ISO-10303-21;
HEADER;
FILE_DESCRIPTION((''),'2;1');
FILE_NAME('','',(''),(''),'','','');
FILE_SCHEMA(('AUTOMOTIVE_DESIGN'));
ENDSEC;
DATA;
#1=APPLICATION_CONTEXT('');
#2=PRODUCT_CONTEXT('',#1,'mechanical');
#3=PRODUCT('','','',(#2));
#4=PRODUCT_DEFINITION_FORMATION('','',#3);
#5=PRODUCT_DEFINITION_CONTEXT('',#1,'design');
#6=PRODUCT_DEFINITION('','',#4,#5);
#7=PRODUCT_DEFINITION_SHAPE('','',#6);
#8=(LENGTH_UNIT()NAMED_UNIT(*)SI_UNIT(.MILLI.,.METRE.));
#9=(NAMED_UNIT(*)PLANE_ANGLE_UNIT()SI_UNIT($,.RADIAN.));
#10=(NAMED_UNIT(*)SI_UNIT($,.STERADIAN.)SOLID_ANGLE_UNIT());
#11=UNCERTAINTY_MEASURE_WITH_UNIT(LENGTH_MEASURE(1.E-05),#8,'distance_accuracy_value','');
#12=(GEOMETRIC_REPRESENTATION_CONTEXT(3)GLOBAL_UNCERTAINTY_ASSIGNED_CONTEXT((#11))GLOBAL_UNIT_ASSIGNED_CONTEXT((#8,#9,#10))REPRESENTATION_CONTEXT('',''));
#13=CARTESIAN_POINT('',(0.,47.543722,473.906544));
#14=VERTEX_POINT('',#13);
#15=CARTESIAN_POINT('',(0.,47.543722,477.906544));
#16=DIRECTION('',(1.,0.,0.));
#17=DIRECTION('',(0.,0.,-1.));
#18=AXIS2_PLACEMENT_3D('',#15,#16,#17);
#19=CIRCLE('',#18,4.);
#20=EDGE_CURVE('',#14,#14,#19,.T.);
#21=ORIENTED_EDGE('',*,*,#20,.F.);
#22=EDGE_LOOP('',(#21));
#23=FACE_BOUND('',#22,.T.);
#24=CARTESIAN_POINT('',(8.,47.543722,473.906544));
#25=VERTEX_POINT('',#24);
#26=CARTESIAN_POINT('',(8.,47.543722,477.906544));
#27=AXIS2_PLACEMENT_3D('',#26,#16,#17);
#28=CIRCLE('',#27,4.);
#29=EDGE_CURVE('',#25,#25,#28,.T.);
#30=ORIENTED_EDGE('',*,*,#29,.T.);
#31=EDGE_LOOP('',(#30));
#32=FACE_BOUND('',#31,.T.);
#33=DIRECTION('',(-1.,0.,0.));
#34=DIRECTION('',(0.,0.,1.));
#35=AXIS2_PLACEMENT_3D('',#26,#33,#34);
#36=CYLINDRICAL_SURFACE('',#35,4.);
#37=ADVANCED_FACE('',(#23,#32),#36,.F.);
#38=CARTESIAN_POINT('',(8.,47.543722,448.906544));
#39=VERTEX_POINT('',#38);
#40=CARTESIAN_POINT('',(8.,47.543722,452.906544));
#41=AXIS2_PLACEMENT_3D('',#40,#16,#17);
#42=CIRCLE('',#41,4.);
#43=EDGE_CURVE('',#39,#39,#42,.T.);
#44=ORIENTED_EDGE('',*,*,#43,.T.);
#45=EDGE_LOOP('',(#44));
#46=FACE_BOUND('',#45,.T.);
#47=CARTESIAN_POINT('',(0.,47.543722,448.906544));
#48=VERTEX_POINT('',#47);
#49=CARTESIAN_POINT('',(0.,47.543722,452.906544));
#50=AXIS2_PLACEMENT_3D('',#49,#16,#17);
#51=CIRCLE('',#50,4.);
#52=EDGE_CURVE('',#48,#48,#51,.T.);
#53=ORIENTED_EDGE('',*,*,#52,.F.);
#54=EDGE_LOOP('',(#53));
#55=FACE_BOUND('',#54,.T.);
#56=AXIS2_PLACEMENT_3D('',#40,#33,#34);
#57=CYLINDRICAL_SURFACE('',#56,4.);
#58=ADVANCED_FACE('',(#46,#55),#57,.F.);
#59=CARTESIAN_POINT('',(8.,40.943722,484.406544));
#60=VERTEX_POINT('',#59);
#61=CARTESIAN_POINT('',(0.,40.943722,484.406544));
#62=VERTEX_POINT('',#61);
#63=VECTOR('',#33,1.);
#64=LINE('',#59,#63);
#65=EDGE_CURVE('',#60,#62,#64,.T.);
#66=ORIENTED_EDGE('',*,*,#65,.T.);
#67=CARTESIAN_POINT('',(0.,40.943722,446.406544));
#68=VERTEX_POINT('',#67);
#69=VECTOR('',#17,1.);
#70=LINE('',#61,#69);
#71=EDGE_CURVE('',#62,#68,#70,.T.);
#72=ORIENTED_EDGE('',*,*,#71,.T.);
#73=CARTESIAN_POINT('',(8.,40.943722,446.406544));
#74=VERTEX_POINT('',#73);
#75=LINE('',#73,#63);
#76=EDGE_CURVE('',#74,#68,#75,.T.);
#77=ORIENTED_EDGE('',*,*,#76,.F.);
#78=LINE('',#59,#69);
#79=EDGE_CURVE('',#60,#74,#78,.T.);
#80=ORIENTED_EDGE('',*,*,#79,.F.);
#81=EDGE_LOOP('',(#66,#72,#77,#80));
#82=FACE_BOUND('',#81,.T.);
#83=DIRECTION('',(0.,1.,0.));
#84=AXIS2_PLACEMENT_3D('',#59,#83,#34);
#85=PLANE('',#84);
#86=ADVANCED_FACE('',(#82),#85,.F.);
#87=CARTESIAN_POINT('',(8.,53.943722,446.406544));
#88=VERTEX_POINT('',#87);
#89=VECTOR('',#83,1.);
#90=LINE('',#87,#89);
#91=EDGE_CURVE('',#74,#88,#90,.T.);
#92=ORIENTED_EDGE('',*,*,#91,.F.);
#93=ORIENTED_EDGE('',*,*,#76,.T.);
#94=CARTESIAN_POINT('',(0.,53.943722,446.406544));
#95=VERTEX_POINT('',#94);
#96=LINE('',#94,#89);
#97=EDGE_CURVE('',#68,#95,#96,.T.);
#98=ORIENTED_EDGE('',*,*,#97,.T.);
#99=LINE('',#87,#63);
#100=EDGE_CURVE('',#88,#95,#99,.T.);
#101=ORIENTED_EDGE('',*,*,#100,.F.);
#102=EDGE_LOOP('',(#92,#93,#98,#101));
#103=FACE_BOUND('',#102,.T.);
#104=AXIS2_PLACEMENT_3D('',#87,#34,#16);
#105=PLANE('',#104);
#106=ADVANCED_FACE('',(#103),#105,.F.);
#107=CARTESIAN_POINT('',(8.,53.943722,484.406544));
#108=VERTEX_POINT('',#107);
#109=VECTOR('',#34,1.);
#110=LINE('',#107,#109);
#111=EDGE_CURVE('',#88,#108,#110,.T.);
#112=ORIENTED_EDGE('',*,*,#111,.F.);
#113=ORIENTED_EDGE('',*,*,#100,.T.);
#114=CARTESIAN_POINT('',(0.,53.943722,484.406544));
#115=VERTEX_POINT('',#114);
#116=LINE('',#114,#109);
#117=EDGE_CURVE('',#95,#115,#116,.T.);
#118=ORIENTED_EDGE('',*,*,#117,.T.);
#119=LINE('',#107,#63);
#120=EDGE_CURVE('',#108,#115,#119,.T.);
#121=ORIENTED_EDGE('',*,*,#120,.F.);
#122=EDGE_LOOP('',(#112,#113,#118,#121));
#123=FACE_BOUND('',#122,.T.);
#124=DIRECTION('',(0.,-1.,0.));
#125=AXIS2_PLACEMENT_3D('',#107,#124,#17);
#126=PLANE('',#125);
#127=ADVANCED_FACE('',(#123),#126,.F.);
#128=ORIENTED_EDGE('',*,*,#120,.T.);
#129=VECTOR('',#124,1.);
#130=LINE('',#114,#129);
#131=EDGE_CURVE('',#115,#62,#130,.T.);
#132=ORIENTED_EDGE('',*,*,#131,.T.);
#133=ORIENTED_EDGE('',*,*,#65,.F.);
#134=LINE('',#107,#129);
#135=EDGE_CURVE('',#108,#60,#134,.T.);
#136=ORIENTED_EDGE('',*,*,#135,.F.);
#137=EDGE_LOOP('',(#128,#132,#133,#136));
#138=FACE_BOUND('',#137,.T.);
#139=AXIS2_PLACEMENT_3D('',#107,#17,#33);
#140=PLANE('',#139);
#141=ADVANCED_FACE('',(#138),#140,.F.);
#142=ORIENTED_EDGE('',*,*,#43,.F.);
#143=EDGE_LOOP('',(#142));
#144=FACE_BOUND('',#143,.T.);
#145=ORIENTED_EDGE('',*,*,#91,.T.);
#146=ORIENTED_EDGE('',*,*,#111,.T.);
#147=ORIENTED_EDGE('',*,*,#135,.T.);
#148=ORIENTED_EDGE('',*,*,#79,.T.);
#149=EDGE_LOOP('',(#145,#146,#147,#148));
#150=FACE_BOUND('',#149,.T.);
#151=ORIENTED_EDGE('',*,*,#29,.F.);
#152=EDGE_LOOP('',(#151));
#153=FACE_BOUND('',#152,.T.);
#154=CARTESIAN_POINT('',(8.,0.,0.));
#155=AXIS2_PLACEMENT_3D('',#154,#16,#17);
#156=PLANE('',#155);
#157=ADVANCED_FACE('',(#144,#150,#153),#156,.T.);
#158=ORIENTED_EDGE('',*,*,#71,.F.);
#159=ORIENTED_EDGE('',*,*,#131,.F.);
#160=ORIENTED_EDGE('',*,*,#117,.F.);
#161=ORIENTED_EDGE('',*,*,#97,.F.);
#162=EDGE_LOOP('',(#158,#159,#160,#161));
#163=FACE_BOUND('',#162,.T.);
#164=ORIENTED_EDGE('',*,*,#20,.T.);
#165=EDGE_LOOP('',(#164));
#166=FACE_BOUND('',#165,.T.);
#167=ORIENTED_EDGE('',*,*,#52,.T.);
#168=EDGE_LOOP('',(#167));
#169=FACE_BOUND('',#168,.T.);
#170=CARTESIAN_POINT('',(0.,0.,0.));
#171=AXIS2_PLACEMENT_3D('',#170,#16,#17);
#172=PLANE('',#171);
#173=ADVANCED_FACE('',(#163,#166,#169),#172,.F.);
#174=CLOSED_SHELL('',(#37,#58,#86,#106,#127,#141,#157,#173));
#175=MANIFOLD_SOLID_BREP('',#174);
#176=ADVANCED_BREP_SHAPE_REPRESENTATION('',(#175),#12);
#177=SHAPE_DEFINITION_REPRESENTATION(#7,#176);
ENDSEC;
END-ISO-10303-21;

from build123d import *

# Parameters (mm, degrees)
SKETCH1_W           = 38
SKETCH1_H           = 13
SKETCH1_R           = 4
BOSS_EXTRUDE1_DEPTH = 8


with BuildPart() as part:
    # Sketch1 → Boss-Extrude1 (new body)
    with BuildSketch(Plane(origin=(0, 0, 0), x_dir=(0, 0, -1), z_dir=(1, 0, 0))):
        with Locations((-465.406543956, 47.44372232)):
            Rectangle(SKETCH1_W, SKETCH1_H)
        with Locations((-477.906543956, 47.54372232)):
            Circle(SKETCH1_R, mode=Mode.SUBTRACT)
        with Locations((-452.906543956, 47.54372232)):
            Circle(SKETCH1_R, mode=Mode.SUBTRACT)
    extrude(amount=BOSS_EXTRUDE1_DEPTH)


solid = part.part
